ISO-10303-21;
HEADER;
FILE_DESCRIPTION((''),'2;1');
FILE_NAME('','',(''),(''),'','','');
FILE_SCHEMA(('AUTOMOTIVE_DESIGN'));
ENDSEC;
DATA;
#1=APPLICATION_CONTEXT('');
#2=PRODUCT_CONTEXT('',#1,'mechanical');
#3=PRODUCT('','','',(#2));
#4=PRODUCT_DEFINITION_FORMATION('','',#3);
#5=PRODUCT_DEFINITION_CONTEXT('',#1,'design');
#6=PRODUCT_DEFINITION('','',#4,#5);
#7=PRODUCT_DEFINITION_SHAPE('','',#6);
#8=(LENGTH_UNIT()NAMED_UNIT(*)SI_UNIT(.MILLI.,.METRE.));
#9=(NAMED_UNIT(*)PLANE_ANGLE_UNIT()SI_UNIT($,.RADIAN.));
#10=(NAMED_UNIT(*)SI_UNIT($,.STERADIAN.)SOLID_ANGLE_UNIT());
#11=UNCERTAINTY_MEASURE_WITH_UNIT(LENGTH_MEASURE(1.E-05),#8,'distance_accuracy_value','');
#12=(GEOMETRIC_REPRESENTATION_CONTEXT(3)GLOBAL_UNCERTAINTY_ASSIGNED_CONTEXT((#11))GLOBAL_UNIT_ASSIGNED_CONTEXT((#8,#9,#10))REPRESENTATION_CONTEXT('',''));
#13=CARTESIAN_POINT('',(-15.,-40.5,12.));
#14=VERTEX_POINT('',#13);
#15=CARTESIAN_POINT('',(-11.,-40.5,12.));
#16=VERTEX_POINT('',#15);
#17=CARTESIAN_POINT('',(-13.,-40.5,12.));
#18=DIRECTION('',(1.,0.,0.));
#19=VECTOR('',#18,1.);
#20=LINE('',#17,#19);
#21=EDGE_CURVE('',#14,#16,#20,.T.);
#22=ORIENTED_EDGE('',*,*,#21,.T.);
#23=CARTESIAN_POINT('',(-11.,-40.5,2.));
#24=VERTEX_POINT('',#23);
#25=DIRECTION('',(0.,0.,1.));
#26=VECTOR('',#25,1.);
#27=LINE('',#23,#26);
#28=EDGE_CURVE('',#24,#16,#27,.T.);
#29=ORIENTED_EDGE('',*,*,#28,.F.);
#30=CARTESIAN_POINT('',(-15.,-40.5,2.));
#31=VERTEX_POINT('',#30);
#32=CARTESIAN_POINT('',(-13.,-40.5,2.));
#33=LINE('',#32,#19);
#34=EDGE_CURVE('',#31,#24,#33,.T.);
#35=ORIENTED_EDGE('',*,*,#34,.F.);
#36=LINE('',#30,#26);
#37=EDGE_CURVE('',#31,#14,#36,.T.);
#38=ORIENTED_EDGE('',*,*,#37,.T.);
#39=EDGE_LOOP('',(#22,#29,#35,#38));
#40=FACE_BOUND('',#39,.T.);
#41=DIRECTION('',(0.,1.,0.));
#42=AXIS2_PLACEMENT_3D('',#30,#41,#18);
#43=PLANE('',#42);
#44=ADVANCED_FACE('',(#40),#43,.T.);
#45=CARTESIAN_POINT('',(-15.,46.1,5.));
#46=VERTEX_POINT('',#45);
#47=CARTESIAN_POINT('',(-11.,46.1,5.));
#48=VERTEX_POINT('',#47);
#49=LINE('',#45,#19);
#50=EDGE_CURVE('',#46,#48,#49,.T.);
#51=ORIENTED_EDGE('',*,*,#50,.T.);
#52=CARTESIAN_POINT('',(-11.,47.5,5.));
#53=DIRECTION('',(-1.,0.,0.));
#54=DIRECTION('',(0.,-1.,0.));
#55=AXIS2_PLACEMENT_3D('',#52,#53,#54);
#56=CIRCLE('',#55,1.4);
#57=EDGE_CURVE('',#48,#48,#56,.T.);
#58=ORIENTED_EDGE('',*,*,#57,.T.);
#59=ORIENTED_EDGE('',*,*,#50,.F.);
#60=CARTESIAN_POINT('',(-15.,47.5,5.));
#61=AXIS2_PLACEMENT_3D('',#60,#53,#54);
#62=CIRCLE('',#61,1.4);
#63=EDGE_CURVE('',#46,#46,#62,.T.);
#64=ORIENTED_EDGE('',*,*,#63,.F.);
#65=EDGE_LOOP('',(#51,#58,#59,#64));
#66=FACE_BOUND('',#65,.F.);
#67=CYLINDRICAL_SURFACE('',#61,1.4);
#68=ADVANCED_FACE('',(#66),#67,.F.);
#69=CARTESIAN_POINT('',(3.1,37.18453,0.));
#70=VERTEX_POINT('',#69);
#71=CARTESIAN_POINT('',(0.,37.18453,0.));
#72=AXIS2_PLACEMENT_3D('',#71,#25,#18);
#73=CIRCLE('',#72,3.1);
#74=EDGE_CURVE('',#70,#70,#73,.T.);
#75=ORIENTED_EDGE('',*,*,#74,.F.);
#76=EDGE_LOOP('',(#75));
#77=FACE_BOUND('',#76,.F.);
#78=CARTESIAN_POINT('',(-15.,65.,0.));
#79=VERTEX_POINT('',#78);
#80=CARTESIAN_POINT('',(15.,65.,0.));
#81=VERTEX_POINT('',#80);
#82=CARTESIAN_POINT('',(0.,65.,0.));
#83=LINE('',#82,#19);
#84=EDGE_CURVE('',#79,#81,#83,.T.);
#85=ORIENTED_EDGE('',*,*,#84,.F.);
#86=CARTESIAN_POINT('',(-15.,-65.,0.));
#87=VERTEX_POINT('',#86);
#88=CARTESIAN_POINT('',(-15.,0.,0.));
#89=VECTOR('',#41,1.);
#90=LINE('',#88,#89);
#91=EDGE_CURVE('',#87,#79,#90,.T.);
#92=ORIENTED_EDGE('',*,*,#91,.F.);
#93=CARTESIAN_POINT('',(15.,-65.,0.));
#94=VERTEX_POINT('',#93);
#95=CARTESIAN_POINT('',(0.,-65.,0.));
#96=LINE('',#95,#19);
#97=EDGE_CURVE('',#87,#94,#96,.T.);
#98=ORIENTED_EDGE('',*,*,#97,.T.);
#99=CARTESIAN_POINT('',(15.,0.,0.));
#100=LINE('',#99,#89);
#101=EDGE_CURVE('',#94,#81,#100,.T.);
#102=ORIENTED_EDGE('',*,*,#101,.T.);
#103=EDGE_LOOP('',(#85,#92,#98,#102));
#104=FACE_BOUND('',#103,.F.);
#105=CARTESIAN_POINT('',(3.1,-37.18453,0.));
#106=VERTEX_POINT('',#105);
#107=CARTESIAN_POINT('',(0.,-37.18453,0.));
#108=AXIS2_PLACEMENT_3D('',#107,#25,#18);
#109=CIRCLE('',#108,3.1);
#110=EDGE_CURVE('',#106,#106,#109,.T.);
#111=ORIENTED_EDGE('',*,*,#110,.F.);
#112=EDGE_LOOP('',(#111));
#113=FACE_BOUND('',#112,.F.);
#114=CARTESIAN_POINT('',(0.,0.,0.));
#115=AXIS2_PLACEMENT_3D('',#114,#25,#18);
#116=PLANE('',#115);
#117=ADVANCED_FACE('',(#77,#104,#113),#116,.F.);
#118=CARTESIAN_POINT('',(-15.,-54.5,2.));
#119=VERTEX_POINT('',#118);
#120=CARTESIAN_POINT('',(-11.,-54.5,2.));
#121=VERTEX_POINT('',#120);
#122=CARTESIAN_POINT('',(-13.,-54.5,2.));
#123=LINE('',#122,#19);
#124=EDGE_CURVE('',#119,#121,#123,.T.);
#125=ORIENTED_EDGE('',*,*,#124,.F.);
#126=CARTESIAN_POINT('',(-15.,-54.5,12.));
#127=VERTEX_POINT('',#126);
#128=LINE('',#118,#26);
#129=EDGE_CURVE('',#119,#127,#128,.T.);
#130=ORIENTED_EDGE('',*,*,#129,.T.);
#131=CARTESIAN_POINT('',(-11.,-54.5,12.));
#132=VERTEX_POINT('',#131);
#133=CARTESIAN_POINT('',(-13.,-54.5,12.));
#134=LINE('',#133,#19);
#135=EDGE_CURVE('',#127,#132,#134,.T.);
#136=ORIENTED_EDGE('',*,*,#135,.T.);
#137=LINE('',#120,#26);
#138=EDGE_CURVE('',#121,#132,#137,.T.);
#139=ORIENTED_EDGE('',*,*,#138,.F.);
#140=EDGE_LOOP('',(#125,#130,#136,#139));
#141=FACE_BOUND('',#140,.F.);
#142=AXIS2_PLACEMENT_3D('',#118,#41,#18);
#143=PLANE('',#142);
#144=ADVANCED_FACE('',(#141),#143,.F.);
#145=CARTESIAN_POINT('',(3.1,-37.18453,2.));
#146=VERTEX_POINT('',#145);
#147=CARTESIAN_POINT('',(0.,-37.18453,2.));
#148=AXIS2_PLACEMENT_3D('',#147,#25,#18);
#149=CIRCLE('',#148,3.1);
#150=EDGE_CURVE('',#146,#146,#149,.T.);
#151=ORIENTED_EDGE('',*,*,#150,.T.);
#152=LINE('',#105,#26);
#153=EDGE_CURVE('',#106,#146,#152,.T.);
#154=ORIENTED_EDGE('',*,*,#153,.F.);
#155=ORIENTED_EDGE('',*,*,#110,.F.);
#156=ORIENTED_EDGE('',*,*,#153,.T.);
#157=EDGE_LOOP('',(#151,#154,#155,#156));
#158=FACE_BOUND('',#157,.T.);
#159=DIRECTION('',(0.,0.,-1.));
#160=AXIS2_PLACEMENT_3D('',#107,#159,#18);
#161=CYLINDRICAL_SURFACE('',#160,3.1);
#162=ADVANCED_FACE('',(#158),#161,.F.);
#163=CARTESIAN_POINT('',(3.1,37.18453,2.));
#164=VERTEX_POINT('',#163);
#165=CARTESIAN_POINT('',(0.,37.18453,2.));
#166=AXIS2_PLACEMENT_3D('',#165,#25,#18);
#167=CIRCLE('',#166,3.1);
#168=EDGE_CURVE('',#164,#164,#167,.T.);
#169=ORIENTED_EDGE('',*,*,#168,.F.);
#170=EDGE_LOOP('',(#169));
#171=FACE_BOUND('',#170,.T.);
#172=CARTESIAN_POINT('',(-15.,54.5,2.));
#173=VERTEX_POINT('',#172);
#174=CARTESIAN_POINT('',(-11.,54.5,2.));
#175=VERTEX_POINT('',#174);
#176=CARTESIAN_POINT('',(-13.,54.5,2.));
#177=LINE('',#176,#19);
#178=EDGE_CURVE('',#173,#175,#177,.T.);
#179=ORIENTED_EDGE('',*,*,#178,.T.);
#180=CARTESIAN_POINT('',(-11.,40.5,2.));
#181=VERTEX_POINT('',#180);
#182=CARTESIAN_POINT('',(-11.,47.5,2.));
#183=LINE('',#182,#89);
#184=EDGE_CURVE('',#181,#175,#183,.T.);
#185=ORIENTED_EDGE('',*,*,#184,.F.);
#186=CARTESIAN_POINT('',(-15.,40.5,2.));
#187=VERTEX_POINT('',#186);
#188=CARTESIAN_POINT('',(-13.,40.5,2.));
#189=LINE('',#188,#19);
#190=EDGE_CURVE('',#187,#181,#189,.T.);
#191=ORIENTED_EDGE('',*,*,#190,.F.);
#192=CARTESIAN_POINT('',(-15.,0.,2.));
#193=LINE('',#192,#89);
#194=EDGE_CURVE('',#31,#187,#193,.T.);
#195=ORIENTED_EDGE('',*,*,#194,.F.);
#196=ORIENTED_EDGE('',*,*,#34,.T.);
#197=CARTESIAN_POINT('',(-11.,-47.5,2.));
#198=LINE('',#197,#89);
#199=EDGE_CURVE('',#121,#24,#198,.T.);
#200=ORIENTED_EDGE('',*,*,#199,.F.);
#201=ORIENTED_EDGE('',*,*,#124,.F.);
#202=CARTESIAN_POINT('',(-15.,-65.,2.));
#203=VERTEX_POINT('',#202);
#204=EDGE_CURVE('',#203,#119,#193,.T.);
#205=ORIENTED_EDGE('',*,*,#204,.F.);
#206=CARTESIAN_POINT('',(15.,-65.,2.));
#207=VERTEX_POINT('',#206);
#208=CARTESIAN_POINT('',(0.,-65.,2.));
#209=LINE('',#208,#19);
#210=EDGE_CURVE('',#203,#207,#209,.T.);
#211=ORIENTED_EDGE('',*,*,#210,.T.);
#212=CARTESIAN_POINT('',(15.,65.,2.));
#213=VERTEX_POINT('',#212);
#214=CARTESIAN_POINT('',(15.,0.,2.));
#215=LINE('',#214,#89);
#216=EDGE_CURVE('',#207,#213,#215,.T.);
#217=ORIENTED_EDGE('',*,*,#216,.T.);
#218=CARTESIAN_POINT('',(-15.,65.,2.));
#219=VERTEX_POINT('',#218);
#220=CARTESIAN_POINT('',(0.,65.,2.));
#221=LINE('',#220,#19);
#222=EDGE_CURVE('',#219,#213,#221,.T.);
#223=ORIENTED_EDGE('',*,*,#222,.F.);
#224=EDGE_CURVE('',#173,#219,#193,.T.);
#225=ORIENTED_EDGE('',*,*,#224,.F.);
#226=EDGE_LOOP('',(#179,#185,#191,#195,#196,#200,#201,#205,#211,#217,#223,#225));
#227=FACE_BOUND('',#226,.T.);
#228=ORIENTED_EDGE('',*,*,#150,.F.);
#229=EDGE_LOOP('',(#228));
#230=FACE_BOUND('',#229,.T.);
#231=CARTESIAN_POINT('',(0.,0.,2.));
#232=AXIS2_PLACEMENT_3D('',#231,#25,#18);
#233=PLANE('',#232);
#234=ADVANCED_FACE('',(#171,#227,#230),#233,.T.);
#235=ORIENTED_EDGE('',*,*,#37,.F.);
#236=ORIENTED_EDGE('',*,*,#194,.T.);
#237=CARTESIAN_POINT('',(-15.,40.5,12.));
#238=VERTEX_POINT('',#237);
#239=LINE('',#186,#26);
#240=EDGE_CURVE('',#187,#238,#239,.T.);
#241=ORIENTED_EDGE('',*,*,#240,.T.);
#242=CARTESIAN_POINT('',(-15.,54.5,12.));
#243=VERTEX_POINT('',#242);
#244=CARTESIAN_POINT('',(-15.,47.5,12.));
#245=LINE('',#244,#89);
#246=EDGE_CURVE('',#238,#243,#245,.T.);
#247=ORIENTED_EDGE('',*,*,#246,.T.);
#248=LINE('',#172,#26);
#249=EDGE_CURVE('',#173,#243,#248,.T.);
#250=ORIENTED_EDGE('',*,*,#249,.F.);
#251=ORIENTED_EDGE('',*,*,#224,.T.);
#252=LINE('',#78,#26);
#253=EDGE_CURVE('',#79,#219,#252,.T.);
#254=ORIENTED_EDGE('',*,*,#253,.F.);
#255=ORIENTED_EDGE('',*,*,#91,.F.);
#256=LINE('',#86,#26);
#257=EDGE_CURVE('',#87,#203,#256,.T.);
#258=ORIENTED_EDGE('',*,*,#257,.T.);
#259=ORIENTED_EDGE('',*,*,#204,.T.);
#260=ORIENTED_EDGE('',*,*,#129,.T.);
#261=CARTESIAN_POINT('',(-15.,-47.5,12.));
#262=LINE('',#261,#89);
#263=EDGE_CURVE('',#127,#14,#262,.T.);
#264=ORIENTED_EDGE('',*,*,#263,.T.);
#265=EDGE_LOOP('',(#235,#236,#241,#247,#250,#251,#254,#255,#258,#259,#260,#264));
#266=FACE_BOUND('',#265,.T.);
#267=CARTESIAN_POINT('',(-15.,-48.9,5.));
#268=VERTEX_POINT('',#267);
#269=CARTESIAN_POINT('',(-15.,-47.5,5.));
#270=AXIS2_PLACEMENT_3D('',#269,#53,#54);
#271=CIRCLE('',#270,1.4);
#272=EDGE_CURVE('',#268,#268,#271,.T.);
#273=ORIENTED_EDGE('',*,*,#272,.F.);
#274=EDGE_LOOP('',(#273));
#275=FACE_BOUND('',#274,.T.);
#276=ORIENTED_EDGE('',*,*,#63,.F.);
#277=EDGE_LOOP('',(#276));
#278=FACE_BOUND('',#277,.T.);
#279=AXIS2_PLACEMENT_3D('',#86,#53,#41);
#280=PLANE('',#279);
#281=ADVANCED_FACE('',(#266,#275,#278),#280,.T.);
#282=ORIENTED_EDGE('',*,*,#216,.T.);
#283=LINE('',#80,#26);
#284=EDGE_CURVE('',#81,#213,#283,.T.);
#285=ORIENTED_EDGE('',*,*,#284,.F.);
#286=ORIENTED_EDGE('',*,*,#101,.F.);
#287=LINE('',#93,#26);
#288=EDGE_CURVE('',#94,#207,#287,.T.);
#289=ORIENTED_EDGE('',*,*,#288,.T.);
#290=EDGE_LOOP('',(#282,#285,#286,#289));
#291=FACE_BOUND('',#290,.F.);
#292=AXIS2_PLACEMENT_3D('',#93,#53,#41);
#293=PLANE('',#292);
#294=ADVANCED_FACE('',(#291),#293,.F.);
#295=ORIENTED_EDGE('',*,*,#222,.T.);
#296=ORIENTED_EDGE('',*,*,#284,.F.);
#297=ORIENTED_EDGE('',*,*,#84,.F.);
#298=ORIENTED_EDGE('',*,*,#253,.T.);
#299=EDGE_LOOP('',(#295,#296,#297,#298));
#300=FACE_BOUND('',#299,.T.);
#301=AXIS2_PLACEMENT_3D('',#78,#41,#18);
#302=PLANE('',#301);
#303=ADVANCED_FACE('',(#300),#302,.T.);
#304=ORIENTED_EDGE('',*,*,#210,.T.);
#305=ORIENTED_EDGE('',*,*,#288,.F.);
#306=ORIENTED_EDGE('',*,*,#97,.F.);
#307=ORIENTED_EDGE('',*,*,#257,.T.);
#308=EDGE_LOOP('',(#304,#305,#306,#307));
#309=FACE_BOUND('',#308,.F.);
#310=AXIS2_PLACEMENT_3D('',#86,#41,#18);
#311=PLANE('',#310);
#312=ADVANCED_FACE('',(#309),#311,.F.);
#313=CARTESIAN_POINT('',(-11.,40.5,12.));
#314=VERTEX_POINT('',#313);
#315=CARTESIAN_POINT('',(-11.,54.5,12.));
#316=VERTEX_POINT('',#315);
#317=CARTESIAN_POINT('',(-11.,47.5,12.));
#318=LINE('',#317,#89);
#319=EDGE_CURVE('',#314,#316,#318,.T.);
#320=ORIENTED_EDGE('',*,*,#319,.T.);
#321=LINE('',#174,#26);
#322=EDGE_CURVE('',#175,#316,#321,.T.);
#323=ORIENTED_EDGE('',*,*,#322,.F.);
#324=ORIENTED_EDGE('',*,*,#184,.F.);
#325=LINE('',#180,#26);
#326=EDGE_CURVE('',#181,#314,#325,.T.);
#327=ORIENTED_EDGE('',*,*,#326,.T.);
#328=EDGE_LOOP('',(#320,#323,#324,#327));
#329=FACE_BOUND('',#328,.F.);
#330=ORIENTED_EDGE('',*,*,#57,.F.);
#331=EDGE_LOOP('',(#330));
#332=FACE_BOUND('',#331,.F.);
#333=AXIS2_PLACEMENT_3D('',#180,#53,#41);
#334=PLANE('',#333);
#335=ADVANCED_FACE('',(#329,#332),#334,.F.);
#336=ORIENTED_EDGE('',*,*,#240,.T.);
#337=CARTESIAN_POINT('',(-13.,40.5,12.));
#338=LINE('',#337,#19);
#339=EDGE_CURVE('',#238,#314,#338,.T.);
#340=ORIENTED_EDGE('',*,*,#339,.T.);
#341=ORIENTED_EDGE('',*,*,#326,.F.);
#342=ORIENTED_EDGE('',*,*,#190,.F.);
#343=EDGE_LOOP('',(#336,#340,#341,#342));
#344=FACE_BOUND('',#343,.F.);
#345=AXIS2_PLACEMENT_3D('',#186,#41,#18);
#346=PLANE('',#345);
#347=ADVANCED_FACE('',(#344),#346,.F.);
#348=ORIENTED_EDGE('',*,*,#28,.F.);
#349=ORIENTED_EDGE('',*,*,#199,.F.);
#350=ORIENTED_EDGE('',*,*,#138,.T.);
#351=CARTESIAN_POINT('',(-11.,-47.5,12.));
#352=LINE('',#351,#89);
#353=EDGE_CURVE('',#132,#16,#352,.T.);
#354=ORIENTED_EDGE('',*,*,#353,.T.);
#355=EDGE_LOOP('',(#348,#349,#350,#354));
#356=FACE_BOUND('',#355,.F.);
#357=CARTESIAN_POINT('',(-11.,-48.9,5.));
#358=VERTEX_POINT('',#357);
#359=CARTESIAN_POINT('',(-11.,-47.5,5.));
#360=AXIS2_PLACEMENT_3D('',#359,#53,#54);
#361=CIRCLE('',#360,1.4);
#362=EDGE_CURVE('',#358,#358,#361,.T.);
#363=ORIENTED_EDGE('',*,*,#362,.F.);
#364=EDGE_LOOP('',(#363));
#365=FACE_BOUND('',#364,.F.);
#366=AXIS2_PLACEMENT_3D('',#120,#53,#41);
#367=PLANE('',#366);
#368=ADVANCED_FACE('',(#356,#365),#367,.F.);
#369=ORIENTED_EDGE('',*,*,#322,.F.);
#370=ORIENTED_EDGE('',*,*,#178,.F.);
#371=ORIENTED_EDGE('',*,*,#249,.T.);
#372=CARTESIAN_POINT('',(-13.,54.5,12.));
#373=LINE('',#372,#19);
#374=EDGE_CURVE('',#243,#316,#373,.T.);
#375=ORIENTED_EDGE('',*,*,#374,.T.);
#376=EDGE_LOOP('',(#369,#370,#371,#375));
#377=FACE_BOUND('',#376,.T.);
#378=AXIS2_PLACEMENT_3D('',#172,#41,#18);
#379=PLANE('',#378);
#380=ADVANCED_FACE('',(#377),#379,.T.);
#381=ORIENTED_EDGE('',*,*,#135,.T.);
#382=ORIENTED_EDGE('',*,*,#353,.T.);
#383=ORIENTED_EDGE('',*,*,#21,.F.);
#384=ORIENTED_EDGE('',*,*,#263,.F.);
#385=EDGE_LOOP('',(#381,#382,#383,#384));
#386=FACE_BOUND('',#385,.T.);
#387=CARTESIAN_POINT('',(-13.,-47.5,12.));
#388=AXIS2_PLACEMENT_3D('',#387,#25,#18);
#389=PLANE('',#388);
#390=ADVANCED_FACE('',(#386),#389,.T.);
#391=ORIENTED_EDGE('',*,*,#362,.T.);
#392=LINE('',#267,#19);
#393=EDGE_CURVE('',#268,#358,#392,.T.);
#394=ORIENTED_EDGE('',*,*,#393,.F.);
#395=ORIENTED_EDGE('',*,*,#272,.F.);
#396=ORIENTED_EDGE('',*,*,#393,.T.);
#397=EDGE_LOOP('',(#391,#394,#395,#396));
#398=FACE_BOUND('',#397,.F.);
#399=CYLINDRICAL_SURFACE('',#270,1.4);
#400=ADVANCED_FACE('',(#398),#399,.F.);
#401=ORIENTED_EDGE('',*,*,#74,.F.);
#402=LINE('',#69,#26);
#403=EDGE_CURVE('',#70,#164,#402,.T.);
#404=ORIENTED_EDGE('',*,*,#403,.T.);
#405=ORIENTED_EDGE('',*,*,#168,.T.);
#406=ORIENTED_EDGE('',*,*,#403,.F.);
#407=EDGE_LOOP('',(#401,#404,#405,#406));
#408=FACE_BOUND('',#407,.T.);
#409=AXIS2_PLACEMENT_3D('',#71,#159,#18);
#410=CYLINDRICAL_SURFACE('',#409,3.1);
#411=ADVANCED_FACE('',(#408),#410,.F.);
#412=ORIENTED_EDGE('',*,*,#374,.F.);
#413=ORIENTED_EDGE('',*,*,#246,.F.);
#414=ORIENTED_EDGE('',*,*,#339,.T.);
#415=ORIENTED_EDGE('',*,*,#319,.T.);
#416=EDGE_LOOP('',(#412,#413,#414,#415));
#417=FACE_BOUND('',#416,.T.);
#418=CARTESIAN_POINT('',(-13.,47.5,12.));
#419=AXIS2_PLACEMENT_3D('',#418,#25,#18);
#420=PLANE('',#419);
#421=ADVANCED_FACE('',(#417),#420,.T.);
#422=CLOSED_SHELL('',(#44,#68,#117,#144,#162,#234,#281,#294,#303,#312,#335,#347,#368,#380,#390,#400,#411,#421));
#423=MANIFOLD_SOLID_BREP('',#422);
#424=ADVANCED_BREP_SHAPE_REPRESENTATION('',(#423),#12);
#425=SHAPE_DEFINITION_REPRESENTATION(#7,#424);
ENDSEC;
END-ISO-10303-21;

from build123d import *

# Parameters (mm, degrees)
SKETCH_W     = 30
SKETCH_H     = 130
SKETCH_R     = 3.1
PAD_DEPTH    = 2
SKETCH001_W  = 4
SKETCH001_H  = 14
PAD001_DEPTH = 10
SKETCH002_R  = 1.4
POCKET_DEPTH = 5


with BuildPart() as part:
    # Sketch → Pad (new body)
    with BuildSketch(Plane.XY):
        Rectangle(SKETCH_W, SKETCH_H)
        with Locations((0, -37.18453)):
            Circle(SKETCH_R, mode=Mode.SUBTRACT)
        with Locations((0, 37.18453)):
            Circle(SKETCH_R, mode=Mode.SUBTRACT)
    extrude(amount=PAD_DEPTH)

    # Sketch001 (on Face8 of Pad) → Pad001 (join)
    with BuildSketch(Plane.XY.offset(2)):
        with Locations((-13, 47.5)):
            Rectangle(SKETCH001_W, SKETCH001_H)
        with Locations((-13, -47.5)):
            Rectangle(SKETCH001_W, SKETCH001_H)
    extrude(amount=PAD001_DEPTH)

    # Sketch002 (on Face7 of Pad001) → Pocket (cut)
    with BuildSketch(Plane(origin=(-15, 0, 0), x_dir=(0, -1, 0), z_dir=(-1, 0, 0))):
        with Locations((-47.5, 5)):
            Circle(SKETCH002_R)
        with Locations((47.5, 5)):
            Circle(SKETCH002_R)
    extrude(amount=-POCKET_DEPTH, mode=Mode.SUBTRACT)


solid = part.part
